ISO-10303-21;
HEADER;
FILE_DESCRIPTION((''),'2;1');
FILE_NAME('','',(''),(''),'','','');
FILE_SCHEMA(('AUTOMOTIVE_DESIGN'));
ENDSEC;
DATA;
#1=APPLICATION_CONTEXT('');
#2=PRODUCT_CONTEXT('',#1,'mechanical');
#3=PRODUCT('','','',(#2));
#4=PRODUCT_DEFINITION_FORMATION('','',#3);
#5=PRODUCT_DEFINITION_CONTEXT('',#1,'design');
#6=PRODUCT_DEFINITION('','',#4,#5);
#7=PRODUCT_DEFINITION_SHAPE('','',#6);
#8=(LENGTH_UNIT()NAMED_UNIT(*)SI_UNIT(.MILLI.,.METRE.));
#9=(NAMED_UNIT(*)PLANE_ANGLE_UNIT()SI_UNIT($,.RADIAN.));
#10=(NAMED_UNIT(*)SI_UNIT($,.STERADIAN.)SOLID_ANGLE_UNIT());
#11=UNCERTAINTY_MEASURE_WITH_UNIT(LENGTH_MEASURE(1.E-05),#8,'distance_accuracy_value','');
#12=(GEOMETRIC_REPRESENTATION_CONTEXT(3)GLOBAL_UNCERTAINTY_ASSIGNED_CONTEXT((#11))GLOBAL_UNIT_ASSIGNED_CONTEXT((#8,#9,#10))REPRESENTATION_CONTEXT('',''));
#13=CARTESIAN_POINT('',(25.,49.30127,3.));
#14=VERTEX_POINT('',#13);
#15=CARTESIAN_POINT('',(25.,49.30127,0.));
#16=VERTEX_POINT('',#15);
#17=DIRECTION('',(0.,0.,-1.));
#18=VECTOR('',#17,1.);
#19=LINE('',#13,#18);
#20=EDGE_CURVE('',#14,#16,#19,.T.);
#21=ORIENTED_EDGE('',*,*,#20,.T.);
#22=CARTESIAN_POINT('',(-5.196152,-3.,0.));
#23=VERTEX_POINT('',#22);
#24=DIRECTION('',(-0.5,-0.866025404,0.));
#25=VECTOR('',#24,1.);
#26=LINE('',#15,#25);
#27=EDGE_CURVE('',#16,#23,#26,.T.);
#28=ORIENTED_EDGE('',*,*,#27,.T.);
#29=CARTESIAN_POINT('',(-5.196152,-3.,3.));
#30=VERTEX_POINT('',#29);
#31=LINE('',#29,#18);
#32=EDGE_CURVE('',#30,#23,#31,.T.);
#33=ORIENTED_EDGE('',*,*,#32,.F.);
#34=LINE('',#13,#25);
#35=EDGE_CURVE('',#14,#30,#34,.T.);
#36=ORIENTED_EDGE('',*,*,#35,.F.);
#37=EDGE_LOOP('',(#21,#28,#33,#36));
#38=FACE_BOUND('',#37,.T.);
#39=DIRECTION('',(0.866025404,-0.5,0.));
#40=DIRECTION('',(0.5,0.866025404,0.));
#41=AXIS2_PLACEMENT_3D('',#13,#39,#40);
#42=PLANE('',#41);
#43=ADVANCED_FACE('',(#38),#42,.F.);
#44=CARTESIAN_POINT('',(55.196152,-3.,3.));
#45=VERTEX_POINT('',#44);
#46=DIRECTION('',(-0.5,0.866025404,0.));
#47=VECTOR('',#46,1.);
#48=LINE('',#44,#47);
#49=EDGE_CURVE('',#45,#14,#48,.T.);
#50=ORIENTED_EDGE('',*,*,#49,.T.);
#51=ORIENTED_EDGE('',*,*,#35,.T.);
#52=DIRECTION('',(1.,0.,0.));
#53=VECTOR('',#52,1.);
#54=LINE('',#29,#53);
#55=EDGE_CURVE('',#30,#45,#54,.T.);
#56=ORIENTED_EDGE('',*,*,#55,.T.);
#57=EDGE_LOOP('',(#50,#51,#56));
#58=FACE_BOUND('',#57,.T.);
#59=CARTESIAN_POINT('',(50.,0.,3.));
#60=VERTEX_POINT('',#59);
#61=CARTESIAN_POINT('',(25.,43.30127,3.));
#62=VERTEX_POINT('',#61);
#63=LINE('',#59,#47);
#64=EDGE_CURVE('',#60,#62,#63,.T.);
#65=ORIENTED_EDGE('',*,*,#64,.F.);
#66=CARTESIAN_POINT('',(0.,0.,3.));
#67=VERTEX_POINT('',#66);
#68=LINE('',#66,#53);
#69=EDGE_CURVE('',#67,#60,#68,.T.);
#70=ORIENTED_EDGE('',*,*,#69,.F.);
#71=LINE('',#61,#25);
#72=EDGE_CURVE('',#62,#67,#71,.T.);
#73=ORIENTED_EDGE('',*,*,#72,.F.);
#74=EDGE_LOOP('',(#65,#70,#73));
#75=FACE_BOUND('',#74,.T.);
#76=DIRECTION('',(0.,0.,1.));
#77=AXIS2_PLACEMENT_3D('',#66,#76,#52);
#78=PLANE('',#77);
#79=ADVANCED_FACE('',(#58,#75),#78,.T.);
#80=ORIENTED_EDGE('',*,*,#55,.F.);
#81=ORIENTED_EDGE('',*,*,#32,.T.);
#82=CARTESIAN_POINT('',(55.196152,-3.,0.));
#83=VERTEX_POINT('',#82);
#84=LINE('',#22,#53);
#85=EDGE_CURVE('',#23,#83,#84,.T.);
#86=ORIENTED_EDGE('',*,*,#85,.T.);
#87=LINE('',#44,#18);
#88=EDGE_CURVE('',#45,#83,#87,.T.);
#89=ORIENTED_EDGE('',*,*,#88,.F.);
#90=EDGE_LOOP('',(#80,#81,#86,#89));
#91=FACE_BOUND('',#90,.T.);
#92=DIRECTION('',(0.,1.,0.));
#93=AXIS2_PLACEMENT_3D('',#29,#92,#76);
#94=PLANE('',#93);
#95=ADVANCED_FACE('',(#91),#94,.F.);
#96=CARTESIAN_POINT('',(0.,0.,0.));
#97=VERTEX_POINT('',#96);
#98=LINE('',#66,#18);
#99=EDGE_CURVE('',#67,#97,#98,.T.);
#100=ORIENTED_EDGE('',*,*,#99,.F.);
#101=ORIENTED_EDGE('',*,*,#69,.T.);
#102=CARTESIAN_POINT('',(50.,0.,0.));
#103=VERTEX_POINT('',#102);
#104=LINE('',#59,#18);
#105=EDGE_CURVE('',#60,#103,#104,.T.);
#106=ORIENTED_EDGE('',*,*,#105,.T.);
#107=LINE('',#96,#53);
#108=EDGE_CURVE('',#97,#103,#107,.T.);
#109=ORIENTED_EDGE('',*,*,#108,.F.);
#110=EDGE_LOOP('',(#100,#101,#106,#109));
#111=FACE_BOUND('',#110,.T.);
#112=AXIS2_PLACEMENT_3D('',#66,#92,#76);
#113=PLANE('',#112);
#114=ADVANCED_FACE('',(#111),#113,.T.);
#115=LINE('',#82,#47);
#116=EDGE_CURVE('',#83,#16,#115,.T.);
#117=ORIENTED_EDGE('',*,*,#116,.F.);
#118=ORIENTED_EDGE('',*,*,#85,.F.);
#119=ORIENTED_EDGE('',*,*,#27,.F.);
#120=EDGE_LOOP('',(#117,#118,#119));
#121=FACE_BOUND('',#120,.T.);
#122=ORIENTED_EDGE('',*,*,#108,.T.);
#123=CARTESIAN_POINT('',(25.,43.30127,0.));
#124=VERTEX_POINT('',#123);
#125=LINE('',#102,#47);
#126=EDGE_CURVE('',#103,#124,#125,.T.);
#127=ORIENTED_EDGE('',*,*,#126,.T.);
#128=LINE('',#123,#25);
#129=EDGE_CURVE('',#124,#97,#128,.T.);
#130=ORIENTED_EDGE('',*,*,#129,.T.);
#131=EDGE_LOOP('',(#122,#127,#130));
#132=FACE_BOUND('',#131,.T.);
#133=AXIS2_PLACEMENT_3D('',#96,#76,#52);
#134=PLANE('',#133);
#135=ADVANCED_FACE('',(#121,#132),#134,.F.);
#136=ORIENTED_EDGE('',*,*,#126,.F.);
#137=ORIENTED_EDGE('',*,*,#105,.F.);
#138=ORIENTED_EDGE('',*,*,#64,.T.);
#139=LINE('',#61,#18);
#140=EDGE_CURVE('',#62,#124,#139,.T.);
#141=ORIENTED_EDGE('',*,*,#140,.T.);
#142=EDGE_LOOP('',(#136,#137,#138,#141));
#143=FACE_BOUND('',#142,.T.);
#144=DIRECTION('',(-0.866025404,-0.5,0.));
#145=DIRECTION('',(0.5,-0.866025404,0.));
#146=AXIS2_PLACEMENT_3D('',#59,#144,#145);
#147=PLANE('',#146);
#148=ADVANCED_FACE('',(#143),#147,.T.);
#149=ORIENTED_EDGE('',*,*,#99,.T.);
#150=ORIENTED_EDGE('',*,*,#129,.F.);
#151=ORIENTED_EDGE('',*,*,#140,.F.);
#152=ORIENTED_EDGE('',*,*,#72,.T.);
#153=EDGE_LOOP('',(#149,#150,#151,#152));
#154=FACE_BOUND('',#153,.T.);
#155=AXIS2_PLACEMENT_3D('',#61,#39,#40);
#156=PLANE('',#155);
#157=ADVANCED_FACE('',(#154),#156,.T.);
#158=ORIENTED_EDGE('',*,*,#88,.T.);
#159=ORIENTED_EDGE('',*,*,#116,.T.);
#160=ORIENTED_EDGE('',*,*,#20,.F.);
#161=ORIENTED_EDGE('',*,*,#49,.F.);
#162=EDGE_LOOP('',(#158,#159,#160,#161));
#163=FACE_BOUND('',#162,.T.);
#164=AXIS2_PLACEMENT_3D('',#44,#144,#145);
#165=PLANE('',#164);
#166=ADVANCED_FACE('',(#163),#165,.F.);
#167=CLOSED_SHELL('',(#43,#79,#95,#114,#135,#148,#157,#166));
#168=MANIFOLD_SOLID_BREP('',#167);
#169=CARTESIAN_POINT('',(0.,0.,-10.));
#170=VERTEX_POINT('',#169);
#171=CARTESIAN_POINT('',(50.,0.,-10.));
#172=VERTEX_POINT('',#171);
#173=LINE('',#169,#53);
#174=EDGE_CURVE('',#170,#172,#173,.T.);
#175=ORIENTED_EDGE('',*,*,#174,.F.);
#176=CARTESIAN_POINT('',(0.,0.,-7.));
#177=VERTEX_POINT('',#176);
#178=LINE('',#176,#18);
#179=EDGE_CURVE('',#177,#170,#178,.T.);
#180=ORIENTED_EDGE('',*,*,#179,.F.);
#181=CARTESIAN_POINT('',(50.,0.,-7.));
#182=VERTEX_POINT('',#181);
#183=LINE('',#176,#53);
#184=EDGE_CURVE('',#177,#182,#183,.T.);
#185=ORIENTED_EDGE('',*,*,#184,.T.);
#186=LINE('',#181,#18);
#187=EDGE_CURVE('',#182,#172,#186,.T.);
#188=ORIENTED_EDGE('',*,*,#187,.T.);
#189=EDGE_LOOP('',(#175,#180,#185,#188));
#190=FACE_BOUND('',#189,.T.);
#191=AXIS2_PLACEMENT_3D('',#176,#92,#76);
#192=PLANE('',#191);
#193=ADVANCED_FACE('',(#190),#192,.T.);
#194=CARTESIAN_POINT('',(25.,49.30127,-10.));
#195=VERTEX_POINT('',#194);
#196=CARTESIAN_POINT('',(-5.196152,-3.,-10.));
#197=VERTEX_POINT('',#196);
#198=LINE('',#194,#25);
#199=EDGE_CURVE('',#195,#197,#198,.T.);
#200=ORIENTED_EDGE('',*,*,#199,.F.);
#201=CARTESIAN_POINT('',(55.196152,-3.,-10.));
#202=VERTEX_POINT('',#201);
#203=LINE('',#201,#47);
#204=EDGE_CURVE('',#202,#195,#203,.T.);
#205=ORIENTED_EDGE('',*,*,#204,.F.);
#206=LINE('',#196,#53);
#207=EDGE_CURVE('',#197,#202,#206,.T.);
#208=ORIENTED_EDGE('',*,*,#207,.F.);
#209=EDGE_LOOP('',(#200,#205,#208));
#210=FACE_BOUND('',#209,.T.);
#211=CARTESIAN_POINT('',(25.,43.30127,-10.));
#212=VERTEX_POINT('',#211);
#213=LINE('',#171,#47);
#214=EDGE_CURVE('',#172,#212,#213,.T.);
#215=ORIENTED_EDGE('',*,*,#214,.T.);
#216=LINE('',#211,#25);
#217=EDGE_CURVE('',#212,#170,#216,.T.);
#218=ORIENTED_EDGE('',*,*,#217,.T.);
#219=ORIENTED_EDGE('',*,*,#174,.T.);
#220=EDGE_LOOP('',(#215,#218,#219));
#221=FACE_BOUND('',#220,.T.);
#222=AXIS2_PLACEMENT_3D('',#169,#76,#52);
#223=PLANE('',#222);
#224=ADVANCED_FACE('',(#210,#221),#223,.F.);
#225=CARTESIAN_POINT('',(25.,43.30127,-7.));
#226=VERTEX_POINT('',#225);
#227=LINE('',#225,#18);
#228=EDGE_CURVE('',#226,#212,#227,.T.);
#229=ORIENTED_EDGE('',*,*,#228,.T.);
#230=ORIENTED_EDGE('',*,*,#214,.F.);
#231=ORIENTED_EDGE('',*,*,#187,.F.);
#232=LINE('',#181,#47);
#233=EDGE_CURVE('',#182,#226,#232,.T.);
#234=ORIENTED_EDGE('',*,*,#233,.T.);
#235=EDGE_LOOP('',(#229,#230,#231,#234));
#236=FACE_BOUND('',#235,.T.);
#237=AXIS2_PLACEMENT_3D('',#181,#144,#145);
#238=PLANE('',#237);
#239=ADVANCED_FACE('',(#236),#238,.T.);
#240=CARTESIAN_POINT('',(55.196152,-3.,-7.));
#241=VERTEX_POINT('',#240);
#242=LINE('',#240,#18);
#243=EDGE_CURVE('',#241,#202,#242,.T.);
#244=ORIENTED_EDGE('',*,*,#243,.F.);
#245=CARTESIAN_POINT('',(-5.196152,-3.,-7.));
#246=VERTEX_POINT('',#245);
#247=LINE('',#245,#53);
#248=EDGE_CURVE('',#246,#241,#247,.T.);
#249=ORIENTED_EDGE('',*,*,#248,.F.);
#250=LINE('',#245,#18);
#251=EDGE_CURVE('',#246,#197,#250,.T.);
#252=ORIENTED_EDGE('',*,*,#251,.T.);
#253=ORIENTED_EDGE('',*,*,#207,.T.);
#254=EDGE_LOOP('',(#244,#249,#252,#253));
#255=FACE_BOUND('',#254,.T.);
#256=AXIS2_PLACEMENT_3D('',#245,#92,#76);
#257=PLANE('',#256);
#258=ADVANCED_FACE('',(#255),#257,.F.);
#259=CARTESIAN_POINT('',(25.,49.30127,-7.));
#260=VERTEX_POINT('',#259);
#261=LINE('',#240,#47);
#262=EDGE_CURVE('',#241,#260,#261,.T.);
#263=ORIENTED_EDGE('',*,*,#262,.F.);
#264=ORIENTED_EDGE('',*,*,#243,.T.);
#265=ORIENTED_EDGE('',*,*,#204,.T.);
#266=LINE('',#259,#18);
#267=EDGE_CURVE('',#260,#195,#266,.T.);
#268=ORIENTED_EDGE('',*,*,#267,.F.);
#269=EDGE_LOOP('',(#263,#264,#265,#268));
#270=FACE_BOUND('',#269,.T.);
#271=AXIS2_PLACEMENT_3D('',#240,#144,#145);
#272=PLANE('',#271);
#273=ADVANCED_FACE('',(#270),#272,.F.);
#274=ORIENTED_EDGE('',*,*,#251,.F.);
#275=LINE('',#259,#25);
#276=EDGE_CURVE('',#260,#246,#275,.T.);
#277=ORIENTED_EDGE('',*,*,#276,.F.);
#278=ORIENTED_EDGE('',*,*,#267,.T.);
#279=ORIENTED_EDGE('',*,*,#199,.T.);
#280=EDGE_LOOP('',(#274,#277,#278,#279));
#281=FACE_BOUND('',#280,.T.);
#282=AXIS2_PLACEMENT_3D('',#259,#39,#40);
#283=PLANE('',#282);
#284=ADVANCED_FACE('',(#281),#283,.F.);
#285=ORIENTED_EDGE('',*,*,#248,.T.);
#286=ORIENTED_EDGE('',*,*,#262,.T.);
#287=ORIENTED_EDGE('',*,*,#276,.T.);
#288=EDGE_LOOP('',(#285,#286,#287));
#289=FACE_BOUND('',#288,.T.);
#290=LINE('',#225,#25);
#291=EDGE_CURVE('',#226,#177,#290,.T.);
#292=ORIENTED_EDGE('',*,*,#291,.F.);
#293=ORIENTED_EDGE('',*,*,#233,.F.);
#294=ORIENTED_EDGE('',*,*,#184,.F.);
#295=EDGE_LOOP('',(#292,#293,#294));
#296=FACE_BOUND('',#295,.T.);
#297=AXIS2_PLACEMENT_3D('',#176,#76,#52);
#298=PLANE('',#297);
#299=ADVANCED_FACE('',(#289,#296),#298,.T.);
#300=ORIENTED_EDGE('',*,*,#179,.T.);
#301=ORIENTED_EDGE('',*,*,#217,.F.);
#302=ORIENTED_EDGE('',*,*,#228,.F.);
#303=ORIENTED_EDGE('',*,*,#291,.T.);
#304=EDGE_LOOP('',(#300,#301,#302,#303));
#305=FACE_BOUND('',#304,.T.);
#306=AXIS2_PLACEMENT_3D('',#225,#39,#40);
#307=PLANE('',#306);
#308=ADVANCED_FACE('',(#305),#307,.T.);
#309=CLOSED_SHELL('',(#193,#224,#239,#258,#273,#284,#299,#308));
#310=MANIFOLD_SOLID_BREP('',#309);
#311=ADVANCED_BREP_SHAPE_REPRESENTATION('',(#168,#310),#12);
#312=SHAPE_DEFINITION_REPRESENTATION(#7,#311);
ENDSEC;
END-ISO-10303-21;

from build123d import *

# Parameters (mm, degrees)
BOSS_EXTRUDE2_DEPTH = 3
BOSS_EXTRUDE3_DEPTH = 3


with BuildPart() as part:
    # Sketch1 → Boss-Extrude2 (new body)
    with BuildSketch(Plane.XY):
        Polygon((55.196152423, -3), (25, 49.301270189), (-5.196152423, -3), align=None)
        Polygon((0, 0), (50, 0), (25, 43.301270189), align=None, mode=Mode.SUBTRACT)
    extrude(amount=BOSS_EXTRUDE2_DEPTH)


with BuildPart() as body_2:
    # Sketch2 → Boss-Extrude3 (new body)
    with BuildSketch(Plane.XY.offset(-10)):
        Polygon((55.196152423, -3), (25, 49.301270189), (-5.196152423, -3), align=None)
        Polygon((0, 0), (50, 0), (25, 43.301270189), align=None, mode=Mode.SUBTRACT)
    extrude(amount=BOSS_EXTRUDE3_DEPTH)


solid = Compound([part.part, body_2.part])
